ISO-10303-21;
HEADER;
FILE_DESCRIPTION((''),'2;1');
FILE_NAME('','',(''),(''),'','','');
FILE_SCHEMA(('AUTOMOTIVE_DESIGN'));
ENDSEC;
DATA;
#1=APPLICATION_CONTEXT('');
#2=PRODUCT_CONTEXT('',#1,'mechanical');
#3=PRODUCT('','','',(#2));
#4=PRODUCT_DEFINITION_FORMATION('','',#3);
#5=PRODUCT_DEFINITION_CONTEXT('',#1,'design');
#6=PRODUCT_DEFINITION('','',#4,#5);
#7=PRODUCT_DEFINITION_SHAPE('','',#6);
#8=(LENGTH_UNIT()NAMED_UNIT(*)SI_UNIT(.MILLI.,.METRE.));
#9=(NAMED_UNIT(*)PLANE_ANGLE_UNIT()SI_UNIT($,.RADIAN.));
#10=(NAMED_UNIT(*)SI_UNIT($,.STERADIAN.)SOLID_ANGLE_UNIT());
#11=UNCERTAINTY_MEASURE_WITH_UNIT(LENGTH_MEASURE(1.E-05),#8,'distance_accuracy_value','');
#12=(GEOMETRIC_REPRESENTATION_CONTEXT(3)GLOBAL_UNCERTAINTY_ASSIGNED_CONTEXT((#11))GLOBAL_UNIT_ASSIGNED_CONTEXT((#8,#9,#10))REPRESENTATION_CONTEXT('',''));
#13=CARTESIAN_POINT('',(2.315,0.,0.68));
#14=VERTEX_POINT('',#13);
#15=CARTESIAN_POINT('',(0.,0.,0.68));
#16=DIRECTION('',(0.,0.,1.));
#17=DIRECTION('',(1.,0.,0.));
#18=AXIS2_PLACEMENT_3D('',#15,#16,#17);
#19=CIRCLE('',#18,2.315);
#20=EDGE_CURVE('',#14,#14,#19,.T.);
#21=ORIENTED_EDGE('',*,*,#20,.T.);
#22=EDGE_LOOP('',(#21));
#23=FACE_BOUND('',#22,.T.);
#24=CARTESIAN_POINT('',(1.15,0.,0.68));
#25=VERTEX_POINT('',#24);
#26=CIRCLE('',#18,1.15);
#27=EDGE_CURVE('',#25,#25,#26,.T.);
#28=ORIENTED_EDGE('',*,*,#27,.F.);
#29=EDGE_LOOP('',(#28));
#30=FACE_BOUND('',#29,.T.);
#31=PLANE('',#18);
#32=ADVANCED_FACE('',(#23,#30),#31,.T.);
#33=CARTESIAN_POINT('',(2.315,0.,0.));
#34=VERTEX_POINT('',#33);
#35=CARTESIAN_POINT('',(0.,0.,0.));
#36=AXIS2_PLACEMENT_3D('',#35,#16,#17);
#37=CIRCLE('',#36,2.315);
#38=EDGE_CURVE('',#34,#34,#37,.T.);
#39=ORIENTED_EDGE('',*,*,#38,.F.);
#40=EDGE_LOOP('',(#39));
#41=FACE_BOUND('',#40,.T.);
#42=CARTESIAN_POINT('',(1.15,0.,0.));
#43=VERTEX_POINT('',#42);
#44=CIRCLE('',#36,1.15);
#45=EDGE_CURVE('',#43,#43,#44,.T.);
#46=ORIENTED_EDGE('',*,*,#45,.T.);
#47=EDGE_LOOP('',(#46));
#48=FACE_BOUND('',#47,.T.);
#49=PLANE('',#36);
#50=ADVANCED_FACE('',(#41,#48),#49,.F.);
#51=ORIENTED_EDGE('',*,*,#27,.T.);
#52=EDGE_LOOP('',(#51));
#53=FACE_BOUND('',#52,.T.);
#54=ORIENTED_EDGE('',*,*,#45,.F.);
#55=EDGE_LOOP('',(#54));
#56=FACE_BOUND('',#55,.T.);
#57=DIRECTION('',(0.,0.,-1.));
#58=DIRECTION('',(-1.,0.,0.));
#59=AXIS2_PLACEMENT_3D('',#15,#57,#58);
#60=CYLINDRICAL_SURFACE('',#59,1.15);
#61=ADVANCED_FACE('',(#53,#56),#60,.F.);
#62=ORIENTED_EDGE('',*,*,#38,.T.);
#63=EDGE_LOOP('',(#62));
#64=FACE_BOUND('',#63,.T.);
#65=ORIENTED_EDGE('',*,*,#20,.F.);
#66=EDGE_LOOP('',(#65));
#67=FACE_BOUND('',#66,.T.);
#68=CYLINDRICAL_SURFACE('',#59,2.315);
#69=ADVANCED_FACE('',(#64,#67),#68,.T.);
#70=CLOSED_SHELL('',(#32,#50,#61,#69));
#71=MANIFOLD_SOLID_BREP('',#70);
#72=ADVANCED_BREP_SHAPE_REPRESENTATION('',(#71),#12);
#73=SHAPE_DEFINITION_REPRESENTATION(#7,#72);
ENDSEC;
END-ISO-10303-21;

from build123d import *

# Parameters (mm, degrees)
SCHIZZO1_R                   = 2.315
SCHIZZO1_R_2                 = 1.15
ESTRUSIONE_ESTRUSIONE1_DEPTH = 0.68


with BuildPart() as part:
    # Schizzo1 → Estrusione-Estrusione1 (new body)
    with BuildSketch(Plane.XY):
        Circle(SCHIZZO1_R)
        Circle(SCHIZZO1_R_2, mode=Mode.SUBTRACT)
    extrude(amount=ESTRUSIONE_ESTRUSIONE1_DEPTH)


solid = part.part
